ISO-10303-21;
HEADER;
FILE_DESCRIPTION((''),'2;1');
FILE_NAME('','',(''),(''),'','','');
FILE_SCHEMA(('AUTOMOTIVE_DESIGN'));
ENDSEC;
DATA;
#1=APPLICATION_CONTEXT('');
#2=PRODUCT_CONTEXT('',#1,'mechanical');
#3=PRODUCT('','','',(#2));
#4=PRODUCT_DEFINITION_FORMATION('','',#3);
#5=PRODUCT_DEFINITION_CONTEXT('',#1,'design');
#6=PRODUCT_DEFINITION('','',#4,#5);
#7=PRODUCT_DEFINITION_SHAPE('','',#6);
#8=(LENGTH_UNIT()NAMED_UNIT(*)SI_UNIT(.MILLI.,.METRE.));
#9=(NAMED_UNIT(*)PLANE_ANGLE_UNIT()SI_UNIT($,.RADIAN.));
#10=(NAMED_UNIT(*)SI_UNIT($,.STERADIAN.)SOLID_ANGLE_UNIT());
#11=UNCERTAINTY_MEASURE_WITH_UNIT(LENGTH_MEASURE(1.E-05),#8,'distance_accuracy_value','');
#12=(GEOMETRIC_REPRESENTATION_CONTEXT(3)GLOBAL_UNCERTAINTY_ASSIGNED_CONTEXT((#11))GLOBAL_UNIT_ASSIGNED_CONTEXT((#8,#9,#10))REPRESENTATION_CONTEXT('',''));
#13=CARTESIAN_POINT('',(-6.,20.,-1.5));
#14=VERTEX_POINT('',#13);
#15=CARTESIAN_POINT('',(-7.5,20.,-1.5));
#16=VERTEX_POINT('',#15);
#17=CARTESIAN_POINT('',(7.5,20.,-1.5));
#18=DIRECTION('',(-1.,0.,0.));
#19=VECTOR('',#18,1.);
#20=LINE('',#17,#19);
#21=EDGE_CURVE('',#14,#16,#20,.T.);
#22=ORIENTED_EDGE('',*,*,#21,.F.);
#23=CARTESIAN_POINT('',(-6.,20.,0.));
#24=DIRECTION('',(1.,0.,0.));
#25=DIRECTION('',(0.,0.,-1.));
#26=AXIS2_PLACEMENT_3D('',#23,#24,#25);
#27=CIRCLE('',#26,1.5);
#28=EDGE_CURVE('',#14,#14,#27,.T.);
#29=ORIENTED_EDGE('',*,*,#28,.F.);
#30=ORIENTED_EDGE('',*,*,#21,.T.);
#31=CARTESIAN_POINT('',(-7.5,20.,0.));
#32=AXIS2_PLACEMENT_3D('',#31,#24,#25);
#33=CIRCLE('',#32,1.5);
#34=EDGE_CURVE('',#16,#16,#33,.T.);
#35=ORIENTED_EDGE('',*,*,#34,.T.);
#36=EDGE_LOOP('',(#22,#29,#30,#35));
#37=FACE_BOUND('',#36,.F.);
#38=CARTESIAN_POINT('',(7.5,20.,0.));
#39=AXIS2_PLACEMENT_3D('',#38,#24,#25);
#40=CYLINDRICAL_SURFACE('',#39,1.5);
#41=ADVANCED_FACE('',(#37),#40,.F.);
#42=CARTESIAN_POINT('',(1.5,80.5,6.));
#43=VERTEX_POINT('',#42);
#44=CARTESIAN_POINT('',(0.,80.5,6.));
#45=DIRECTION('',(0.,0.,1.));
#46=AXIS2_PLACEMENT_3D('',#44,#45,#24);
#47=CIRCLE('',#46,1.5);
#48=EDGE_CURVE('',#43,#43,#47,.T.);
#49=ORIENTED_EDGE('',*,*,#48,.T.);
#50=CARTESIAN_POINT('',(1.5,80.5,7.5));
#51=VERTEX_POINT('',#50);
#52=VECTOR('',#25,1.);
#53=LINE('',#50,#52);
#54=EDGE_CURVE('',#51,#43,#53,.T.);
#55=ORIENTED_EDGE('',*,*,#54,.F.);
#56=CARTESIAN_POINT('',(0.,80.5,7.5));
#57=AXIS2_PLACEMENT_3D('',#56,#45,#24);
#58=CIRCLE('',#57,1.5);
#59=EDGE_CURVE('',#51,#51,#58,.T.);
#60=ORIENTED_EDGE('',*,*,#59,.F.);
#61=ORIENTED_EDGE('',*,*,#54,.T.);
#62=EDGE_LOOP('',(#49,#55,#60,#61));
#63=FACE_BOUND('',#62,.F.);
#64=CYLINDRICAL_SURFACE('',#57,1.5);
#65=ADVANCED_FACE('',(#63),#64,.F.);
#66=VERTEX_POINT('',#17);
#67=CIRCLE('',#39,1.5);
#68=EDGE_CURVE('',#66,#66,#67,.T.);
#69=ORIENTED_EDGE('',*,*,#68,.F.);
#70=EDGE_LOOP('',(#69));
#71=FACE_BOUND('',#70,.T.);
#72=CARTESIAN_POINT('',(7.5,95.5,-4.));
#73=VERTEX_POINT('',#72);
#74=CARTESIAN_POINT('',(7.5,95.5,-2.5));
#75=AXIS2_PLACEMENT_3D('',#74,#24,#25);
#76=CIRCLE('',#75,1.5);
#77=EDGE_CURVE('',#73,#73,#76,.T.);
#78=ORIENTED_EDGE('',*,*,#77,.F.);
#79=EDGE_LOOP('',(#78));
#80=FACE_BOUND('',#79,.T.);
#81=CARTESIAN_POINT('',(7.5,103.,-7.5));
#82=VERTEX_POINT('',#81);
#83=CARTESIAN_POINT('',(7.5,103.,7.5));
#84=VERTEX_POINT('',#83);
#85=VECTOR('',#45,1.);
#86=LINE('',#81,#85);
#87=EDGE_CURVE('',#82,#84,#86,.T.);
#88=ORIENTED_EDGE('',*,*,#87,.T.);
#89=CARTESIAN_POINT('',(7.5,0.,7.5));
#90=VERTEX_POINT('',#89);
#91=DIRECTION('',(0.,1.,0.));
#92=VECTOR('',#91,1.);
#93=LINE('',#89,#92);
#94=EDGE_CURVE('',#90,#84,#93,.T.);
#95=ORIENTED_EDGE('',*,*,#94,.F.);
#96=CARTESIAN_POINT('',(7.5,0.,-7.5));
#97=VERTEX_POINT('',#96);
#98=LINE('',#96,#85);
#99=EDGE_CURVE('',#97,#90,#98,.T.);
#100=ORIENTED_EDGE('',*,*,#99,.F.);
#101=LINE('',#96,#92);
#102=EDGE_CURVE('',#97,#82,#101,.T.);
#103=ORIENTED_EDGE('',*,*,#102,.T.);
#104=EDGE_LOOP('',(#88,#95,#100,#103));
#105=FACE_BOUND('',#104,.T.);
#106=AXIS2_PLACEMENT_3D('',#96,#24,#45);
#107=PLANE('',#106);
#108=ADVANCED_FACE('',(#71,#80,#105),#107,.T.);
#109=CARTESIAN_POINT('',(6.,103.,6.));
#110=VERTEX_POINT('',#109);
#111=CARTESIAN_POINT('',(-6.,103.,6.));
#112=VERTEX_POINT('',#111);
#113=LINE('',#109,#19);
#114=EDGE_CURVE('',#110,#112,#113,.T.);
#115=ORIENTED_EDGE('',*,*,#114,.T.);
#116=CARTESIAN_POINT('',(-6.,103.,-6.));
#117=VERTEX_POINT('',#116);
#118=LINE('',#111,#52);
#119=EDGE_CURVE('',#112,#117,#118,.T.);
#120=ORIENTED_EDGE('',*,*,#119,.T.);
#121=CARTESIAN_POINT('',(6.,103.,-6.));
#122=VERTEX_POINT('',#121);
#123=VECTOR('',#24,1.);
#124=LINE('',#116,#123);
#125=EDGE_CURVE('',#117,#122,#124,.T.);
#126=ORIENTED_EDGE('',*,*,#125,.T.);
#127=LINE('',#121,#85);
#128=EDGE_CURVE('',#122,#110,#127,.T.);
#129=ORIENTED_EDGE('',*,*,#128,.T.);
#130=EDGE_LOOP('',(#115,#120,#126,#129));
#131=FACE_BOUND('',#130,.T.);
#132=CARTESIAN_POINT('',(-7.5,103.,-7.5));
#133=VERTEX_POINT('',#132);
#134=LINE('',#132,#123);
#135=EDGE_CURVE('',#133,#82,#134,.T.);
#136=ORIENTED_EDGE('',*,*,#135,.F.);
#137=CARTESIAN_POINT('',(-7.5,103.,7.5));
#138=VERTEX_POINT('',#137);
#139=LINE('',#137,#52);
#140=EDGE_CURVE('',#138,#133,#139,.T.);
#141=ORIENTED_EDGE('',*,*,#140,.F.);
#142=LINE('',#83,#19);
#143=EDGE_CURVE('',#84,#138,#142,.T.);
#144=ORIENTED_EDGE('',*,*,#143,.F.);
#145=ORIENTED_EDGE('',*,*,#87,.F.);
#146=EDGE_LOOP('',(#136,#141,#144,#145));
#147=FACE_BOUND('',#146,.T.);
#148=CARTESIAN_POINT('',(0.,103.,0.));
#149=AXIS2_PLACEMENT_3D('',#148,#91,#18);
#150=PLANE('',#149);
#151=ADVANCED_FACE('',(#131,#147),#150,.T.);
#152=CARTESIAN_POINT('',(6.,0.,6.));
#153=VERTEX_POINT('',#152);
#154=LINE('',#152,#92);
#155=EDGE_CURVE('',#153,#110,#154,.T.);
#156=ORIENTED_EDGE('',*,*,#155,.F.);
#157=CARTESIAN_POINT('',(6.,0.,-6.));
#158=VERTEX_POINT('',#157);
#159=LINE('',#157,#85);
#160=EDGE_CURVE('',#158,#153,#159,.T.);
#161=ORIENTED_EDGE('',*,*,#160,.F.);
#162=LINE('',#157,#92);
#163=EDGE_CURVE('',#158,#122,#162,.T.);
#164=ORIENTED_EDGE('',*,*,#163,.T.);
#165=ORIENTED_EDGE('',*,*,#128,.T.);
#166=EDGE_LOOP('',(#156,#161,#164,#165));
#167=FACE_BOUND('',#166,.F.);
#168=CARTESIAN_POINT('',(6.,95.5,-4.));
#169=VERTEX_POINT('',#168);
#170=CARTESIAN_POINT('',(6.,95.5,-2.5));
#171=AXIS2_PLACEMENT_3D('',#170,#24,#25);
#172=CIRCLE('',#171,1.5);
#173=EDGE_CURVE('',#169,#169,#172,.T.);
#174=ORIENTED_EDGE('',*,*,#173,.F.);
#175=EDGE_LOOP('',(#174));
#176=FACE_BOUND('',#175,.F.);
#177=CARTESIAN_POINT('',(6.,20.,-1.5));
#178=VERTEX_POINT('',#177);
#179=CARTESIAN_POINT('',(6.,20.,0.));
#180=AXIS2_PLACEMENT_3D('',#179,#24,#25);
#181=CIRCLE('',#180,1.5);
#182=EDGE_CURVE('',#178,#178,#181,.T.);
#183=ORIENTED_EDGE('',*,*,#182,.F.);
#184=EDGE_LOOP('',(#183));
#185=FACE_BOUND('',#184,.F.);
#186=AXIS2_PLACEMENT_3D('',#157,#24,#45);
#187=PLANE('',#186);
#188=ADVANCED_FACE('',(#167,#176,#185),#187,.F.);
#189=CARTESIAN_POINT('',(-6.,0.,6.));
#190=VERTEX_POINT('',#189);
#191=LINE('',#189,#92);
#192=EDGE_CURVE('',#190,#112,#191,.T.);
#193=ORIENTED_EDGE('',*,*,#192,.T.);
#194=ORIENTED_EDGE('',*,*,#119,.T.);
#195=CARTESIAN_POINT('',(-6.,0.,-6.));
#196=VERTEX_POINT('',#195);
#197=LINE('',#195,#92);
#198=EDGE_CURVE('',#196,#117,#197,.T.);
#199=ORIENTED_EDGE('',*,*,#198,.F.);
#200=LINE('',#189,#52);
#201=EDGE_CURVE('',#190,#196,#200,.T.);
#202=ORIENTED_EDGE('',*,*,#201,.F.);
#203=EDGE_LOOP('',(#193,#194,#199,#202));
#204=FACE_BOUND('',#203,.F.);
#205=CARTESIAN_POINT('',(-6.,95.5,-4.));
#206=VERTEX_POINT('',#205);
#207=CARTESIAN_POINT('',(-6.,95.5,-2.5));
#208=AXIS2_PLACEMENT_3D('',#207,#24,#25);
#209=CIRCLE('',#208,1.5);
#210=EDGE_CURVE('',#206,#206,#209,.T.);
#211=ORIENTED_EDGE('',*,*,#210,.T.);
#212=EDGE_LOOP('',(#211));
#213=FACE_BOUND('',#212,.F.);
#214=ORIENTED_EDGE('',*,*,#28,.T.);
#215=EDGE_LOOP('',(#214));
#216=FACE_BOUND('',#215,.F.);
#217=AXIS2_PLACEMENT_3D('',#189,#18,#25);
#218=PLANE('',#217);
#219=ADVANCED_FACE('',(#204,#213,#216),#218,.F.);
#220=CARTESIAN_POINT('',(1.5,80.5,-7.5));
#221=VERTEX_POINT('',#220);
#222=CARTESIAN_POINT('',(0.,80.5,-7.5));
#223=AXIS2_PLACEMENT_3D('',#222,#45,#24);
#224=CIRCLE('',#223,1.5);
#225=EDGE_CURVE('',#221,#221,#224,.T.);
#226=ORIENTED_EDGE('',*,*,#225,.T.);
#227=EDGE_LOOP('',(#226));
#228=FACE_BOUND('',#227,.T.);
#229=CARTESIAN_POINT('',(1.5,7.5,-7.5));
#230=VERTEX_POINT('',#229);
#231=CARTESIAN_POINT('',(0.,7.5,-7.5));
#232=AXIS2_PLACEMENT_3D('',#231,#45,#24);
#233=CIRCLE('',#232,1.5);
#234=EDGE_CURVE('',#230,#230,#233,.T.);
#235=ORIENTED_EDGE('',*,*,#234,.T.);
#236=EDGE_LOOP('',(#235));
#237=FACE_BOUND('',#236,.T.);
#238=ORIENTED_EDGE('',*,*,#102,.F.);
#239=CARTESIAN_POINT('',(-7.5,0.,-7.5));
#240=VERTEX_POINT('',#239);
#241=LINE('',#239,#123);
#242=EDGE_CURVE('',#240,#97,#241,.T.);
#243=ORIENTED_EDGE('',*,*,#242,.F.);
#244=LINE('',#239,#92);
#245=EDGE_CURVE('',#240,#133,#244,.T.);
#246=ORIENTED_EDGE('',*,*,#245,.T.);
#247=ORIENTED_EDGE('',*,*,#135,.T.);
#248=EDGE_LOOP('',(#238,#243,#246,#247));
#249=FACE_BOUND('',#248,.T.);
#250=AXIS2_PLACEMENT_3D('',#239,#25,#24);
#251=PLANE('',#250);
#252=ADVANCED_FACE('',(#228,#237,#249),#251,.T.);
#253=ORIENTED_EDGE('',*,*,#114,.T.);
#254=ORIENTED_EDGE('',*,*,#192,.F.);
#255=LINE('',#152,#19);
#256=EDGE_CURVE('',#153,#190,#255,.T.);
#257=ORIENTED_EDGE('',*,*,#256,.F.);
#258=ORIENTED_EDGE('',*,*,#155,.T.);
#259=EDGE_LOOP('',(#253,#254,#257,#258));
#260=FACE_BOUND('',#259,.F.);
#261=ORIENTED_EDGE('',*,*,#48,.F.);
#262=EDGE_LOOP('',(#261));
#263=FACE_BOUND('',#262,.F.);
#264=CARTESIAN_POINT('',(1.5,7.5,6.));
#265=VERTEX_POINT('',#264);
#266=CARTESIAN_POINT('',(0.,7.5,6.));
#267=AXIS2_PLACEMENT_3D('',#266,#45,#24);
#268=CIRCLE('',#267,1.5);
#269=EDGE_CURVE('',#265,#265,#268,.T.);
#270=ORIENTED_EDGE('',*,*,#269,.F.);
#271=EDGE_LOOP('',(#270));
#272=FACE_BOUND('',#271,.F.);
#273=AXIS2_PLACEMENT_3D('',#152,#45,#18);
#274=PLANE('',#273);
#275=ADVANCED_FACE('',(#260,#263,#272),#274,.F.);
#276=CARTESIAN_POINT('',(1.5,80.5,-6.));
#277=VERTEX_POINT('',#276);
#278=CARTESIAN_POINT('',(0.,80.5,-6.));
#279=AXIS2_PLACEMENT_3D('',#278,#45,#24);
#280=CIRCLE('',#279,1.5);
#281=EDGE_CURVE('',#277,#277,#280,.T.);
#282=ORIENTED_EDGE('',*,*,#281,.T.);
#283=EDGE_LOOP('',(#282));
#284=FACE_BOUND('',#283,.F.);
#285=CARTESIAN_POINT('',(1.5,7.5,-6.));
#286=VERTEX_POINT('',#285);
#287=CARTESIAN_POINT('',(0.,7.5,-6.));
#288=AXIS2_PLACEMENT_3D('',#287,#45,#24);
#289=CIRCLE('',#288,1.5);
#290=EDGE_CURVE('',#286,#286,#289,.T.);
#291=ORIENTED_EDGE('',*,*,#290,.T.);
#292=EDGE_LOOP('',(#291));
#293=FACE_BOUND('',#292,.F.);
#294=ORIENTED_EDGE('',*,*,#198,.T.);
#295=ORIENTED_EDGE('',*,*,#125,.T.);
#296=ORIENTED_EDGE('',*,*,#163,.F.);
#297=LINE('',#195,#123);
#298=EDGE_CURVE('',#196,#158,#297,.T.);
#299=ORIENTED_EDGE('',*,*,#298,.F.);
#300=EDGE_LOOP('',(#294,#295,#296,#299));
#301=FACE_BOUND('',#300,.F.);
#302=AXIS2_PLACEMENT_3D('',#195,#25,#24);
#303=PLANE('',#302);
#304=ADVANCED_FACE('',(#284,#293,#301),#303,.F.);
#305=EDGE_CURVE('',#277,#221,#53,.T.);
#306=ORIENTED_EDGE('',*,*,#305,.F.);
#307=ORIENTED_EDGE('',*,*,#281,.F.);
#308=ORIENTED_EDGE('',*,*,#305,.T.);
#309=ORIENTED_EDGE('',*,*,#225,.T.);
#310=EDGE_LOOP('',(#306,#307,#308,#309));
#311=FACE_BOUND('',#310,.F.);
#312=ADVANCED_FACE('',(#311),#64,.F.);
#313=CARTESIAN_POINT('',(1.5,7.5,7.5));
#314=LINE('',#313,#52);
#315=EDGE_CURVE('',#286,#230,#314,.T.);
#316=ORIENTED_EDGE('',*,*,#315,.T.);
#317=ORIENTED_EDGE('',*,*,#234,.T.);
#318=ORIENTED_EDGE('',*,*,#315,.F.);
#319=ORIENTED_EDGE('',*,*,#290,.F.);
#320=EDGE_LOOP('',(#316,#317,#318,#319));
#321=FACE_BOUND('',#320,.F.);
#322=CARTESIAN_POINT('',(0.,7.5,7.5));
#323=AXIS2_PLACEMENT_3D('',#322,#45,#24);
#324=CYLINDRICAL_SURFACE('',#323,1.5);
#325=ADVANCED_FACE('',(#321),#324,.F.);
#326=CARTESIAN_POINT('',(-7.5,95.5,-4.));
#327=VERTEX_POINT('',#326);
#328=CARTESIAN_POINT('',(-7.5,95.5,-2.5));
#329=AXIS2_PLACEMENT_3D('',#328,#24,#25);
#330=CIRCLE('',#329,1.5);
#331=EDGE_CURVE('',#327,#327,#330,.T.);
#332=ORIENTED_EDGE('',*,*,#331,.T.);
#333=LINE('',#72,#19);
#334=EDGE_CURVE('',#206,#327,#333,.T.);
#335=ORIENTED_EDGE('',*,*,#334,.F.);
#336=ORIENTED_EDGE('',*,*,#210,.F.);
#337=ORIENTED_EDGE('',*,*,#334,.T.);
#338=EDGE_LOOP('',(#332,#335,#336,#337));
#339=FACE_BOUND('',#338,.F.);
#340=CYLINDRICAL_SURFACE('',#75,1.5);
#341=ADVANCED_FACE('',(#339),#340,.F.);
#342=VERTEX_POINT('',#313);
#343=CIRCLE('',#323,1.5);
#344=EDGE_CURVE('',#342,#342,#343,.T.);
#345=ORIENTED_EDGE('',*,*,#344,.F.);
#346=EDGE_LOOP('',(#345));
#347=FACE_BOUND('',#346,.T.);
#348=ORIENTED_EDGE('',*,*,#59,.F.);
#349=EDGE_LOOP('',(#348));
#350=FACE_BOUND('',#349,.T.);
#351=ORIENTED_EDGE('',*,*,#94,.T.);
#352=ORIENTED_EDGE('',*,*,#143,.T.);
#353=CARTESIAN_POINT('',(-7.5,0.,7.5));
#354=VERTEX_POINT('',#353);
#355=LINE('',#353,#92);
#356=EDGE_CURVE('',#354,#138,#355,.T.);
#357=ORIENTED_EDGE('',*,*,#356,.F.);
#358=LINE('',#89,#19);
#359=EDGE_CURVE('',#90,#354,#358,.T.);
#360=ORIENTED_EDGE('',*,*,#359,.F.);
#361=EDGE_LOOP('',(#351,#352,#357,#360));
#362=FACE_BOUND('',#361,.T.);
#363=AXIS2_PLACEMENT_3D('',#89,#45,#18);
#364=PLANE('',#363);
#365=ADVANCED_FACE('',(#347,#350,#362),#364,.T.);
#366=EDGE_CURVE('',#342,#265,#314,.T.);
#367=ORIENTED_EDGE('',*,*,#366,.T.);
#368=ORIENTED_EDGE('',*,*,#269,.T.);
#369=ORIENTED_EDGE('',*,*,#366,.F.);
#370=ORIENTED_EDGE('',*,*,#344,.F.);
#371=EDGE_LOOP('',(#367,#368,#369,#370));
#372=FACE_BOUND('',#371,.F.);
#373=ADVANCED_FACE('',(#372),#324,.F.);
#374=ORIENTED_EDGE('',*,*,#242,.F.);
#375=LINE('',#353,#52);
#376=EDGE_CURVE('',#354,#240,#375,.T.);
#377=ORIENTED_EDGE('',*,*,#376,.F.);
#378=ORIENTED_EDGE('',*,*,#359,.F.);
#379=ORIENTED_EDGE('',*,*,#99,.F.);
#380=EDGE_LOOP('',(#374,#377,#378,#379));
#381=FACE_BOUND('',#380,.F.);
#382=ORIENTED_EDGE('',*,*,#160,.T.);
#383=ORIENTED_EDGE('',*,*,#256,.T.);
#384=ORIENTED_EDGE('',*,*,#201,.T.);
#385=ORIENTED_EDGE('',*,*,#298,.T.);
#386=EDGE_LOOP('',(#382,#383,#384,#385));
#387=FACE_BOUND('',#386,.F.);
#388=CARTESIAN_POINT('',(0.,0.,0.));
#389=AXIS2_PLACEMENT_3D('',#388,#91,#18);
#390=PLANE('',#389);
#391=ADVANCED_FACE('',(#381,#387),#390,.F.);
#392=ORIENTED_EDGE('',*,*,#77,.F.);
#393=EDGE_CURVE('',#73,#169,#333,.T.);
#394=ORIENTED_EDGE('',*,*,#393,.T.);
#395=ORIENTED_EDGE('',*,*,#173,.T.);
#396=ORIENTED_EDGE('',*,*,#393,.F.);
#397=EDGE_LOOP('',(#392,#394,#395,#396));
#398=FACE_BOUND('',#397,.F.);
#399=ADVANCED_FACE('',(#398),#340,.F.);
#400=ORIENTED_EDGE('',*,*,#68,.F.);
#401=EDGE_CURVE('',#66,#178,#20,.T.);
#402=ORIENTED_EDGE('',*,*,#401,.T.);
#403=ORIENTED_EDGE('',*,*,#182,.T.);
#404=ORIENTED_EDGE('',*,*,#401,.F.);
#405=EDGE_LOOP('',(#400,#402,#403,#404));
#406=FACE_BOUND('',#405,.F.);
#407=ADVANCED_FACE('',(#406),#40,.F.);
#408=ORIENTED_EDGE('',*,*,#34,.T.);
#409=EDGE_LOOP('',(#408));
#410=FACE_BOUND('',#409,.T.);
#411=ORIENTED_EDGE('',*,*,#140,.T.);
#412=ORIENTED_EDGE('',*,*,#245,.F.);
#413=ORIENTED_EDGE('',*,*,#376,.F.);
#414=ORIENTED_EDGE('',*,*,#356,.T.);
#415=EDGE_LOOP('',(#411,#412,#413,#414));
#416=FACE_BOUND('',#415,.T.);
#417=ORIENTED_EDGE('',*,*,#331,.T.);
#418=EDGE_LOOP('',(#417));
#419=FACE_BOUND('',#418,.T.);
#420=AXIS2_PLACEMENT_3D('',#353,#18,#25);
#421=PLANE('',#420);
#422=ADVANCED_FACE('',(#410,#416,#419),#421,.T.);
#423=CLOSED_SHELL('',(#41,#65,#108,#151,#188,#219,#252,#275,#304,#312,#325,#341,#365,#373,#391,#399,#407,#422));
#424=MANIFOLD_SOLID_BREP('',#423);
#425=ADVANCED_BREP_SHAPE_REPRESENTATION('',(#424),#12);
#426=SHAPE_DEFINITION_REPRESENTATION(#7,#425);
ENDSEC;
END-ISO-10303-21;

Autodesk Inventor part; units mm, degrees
ref_plane "YZ Plane" through (0, 0, 0) normal (1, 0, 0) x (0, 1, 0)
ref_plane "XZ Plane" through (0, 0, 0) normal (0, 1, 0) x (-1, 0, 0)
ref_plane "XY Plane" through (0, 0, 0) normal (0, 0, 1) x (1, 0, 0)
sketch "スケッチ1" plane through (0, 0, 0) normal (0, 1, 0) x (-1, 0, 0)
  line L0 (7.5, -7.5) -> (-7.5, -7.5)
  line L1 (-7.5, -7.5) -> (-7.5, 7.5)
  line L2 (-7.5, 7.5) -> (7.5, 7.5)
  line L3 (7.5, 7.5) -> (7.5, -7.5)
  line L4 (7.5, -7.5) -> (-7.5, 7.5) construction
  line L5 (-7.5, -7.5) -> (7.5, 7.5) construction
  line L6 (6, -6) -> (-6, -6)
  line L7 (-6, -6) -> (-6, 6)
  line L8 (-6, 6) -> (6, 6)
  line L9 (6, 6) -> (6, -6)
  point P0 (0, 0)
  dimension "d0" = 15
  dimension "d1" = 15
  dimension "d2" = 1.5
extrude "押し出し1" add sketch "スケッチ1" along normal blind 103
sketch "スケッチ2" plane through (-7.5, 0, 7.5) normal (0, 0, 1) x (1, 0, 0)
  line L0 (7.5, 0) -> (7.5, 103) construction
  line L1 (0, 103) -> (15, 103) projected
  line L2 (0, 0) -> (0, 103) projected
  line L3 (0, 51.5) -> (15, 51.5) construction
  line L4 (15, 0) -> (15, 103) projected
sketch "スケッチ3" plane through (7.5, 0, 7.5) normal (1, 0, 0) x (0, 0, -1)
  line L0 (7.5, 0) -> (7.5, 103) construction
  line L1 (0, 103) -> (15, 103) projected
  line L2 (15, 0) -> (15, 103) projected
  line L3 (15, 51.5) -> (0, 51.5) construction
  line L4 (0, 0) -> (0, 103) projected
sketch "スケッチ4" plane through (-7.5, 0, 7.5) normal (0, 0, 1) x (1, 0, 0)
  line L0 (7.5, 0) -> (7.5, 103) construction
  circle A0 centre (7.5, 7.5) radius 1.5
  line L1 (0, 0) -> (15, 0) projected
  circle A1 centre (7.5, 80.5) radius 1.5
  line L2 (0, 103) -> (15, 103) projected
  dimension "d5" = 3
  dimension "d6" = 7.5
  dimension "d13" = 3
  dimension "d23" = 22.5
extrude "押し出し2" cut sketch "スケッチ4" against normal through all
sketch "スケッチ5" plane through (7.5, 0, 7.5) normal (1, 0, 0) x (0, 0, -1)
  circle A0 centre (7.5, 20) radius 1.5
  line L0 (7.5, 0) -> (7.5, 103) construction
  line L1 (0, 0) -> (15, 0) projected
  circle A1 centre (10, 95.5) radius 1.5
  line L2 (0, 103) -> (15, 103) projected
  dimension "d9" = 3
  dimension "d10" = 20
  dimension "d15" = 3
  dimension "d16" = 7.5
  dimension "d24" = 2.5
extrude "押し出し3" cut sketch "スケッチ5" against normal through all
sketch "スケッチ6" plane through (7.5, 0, 7.5) normal (1, 0, 0) x (0, 0, -1)
  circle A0 centre (10, 95.5) radius 1.5 projected
  line L0 (0, 103) -> (15, 103) projected
  circle A1 centre (7.5, 20) radius 1.5 projected
  line L1 (0, 0) -> (15, 0) projected
  point P0 (7.5, 0)
  dimension "d17" = 7.5
  dimension "d18" = 83
  dimension "d19" = 103
sketch "スケッチ7" plane through (-7.5, 0, 7.5) normal (0, 0, 1) x (1, 0, 0)
  circle A0 centre (7.5, 80.5) radius 1.5 projected
  line L0 (0, 103) -> (15, 103) projected
  circle A1 centre (7.5, 7.5) radius 1.5 projected
  point P0 (7.5, 0)
  dimension "d20" = 22.5
  dimension "d21" = 95.5
equation "\"d1\" = d0"
properties part number "omu_k_jo_9" material "アルミニウム 6061-AHC"
